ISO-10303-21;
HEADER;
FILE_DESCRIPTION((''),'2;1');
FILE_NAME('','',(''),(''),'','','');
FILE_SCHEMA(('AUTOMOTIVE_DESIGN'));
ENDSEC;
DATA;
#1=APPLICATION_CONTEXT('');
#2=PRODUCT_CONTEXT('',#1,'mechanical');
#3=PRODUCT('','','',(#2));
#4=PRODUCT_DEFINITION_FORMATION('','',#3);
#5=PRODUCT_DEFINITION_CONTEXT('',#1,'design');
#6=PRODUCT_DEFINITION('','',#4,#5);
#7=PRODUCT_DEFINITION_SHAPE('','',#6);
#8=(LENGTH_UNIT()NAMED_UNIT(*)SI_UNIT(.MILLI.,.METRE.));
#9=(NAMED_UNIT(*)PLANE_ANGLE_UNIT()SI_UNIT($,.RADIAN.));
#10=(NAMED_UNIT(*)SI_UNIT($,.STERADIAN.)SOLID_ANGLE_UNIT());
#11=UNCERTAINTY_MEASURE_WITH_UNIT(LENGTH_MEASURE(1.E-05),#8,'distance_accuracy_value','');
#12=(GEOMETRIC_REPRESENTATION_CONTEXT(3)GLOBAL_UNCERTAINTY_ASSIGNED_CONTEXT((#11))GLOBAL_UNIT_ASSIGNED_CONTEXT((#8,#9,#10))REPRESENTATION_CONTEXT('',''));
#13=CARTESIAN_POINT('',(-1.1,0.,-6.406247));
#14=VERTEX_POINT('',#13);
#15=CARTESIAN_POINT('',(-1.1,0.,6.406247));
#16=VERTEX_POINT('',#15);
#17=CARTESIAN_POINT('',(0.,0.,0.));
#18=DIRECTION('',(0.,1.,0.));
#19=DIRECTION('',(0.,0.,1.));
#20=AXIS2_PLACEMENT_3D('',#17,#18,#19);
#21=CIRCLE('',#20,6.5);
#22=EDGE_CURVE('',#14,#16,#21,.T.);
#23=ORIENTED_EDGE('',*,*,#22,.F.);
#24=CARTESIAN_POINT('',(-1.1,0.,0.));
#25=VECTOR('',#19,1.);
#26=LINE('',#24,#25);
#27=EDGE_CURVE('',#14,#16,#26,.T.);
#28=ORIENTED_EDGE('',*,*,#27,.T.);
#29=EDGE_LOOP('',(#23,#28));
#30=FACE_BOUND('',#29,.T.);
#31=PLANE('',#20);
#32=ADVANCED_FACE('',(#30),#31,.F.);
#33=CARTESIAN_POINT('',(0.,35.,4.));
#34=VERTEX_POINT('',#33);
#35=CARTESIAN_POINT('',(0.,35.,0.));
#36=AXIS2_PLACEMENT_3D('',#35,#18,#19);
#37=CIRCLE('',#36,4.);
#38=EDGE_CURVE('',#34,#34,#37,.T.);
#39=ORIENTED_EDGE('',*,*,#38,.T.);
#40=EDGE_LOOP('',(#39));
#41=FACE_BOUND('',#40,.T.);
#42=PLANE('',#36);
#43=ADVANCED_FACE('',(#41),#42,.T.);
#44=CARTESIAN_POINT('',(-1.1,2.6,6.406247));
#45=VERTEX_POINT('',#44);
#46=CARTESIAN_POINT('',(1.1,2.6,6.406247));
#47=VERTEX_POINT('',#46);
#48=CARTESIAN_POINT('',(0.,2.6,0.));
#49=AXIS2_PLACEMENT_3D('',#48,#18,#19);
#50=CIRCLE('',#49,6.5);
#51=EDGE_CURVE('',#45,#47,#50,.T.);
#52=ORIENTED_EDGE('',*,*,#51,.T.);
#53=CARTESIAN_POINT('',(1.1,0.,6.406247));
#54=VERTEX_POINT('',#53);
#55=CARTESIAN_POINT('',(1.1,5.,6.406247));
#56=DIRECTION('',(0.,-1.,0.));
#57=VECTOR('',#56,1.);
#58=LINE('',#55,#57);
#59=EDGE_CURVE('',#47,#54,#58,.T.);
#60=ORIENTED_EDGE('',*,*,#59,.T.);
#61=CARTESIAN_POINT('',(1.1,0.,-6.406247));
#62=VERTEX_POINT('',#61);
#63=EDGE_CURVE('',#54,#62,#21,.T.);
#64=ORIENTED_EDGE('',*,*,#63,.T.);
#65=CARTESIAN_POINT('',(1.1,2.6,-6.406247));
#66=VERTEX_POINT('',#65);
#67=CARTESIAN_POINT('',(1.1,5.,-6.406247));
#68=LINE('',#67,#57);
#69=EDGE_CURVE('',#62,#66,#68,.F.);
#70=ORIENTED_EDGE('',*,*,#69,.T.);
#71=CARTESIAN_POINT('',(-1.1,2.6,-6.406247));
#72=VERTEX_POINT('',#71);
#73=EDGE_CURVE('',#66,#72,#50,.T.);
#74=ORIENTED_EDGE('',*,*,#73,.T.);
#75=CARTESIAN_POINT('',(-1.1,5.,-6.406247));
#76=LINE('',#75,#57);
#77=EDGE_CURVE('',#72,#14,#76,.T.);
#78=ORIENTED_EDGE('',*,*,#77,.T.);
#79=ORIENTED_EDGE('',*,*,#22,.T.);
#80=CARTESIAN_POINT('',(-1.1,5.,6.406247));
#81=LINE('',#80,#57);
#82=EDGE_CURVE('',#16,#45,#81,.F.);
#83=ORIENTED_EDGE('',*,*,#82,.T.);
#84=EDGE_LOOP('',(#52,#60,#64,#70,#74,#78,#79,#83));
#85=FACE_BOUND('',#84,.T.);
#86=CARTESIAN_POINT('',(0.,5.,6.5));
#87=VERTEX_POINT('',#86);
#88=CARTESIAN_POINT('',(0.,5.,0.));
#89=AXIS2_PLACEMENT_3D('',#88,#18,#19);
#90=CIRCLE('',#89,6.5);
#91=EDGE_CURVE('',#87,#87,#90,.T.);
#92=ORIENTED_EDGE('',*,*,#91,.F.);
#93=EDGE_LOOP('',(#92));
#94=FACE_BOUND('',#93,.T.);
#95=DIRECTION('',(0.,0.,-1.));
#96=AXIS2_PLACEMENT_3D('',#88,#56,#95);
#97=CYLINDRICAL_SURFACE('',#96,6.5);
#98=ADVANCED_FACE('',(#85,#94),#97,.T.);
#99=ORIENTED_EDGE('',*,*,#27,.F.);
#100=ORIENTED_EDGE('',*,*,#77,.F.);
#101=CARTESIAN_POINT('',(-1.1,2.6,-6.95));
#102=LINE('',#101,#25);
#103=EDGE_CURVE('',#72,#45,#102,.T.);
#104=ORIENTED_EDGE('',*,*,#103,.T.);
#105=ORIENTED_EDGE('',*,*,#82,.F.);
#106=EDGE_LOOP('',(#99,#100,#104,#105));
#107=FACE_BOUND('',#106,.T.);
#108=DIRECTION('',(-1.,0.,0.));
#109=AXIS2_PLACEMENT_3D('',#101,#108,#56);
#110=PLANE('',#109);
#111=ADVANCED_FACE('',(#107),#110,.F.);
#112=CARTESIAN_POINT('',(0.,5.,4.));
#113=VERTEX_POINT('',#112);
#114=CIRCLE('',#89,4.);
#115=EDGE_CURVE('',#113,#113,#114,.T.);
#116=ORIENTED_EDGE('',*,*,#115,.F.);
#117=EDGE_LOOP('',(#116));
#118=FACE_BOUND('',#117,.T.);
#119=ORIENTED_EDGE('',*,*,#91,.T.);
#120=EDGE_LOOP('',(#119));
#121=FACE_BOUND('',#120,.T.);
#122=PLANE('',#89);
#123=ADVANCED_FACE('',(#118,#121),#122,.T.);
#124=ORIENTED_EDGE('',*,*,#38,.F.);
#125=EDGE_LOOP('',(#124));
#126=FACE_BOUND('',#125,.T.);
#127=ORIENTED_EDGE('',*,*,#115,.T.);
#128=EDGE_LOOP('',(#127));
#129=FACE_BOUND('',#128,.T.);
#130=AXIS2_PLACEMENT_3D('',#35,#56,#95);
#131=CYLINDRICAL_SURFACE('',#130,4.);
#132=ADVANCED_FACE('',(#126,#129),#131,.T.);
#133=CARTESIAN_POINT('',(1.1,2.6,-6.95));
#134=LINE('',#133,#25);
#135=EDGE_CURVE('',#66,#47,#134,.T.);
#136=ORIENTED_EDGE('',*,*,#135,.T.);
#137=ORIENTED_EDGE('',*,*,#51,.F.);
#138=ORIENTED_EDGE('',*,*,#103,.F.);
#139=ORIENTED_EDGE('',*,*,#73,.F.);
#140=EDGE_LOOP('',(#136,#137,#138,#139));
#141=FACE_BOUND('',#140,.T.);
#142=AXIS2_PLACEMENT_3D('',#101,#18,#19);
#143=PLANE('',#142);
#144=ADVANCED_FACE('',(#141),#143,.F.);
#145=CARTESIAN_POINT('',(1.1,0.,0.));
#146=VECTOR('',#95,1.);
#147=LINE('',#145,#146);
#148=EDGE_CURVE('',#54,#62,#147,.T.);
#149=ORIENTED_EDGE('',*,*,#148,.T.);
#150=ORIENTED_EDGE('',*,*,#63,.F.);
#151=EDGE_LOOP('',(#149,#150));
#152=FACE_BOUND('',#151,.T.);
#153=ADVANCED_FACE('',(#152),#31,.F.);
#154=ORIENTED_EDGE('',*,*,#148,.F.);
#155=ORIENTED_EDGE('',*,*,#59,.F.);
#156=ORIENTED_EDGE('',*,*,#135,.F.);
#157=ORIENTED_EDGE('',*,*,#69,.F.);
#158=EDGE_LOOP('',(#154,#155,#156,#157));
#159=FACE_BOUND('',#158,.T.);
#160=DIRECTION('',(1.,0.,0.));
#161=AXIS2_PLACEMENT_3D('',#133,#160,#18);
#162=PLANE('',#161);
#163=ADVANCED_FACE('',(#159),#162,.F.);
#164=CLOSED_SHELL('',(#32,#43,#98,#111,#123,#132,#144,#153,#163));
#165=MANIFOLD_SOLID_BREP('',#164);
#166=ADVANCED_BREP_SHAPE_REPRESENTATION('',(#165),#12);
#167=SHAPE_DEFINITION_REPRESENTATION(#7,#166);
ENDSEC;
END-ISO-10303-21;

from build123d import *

# Parameters (mm, degrees)
SKETCH_1_R          = 6.5
EXTRUDE_1_DEPTH     = 5
SKETCH_2_W          = 2.2
SKETCH_2_H          = 2.6
CUT_EXTRUDE_1_DEPTH = 6.95
SKETCH_3_R          = 4
EXTRUDE_2_DEPTH     = 30


with BuildPart() as part:
    # Эскиз1 → Бобышка-Вытянуть1 (new body)
    with BuildSketch(Plane(origin=(0, 0, 0), x_dir=(1, 0, 0), z_dir=(0, 1, 0))):
        with Locations(Location((0, 0, 0), (0, 0, 270))):
            Circle(SKETCH_1_R)
    extrude(amount=EXTRUDE_1_DEPTH)

    # Эскиз2 → Вырез-Вытянуть1 (cut, symmetric)
    with BuildSketch(Plane.XY):
        with Locations((0, 1.3)):
            Rectangle(SKETCH_2_W, SKETCH_2_H)
    extrude(amount=CUT_EXTRUDE_1_DEPTH, both=True, mode=Mode.SUBTRACT)

    # Эскиз3 → Бобышка-Вытянуть2 (add)
    with BuildSketch(Plane(origin=(0, 5, 0), x_dir=(1, 0, 0), z_dir=(0, 1, 0))):
        with Locations(Location((0, 0, 0), (0, 0, 270))):
            Circle(SKETCH_3_R)
    extrude(amount=EXTRUDE_2_DEPTH)


solid = part.part
